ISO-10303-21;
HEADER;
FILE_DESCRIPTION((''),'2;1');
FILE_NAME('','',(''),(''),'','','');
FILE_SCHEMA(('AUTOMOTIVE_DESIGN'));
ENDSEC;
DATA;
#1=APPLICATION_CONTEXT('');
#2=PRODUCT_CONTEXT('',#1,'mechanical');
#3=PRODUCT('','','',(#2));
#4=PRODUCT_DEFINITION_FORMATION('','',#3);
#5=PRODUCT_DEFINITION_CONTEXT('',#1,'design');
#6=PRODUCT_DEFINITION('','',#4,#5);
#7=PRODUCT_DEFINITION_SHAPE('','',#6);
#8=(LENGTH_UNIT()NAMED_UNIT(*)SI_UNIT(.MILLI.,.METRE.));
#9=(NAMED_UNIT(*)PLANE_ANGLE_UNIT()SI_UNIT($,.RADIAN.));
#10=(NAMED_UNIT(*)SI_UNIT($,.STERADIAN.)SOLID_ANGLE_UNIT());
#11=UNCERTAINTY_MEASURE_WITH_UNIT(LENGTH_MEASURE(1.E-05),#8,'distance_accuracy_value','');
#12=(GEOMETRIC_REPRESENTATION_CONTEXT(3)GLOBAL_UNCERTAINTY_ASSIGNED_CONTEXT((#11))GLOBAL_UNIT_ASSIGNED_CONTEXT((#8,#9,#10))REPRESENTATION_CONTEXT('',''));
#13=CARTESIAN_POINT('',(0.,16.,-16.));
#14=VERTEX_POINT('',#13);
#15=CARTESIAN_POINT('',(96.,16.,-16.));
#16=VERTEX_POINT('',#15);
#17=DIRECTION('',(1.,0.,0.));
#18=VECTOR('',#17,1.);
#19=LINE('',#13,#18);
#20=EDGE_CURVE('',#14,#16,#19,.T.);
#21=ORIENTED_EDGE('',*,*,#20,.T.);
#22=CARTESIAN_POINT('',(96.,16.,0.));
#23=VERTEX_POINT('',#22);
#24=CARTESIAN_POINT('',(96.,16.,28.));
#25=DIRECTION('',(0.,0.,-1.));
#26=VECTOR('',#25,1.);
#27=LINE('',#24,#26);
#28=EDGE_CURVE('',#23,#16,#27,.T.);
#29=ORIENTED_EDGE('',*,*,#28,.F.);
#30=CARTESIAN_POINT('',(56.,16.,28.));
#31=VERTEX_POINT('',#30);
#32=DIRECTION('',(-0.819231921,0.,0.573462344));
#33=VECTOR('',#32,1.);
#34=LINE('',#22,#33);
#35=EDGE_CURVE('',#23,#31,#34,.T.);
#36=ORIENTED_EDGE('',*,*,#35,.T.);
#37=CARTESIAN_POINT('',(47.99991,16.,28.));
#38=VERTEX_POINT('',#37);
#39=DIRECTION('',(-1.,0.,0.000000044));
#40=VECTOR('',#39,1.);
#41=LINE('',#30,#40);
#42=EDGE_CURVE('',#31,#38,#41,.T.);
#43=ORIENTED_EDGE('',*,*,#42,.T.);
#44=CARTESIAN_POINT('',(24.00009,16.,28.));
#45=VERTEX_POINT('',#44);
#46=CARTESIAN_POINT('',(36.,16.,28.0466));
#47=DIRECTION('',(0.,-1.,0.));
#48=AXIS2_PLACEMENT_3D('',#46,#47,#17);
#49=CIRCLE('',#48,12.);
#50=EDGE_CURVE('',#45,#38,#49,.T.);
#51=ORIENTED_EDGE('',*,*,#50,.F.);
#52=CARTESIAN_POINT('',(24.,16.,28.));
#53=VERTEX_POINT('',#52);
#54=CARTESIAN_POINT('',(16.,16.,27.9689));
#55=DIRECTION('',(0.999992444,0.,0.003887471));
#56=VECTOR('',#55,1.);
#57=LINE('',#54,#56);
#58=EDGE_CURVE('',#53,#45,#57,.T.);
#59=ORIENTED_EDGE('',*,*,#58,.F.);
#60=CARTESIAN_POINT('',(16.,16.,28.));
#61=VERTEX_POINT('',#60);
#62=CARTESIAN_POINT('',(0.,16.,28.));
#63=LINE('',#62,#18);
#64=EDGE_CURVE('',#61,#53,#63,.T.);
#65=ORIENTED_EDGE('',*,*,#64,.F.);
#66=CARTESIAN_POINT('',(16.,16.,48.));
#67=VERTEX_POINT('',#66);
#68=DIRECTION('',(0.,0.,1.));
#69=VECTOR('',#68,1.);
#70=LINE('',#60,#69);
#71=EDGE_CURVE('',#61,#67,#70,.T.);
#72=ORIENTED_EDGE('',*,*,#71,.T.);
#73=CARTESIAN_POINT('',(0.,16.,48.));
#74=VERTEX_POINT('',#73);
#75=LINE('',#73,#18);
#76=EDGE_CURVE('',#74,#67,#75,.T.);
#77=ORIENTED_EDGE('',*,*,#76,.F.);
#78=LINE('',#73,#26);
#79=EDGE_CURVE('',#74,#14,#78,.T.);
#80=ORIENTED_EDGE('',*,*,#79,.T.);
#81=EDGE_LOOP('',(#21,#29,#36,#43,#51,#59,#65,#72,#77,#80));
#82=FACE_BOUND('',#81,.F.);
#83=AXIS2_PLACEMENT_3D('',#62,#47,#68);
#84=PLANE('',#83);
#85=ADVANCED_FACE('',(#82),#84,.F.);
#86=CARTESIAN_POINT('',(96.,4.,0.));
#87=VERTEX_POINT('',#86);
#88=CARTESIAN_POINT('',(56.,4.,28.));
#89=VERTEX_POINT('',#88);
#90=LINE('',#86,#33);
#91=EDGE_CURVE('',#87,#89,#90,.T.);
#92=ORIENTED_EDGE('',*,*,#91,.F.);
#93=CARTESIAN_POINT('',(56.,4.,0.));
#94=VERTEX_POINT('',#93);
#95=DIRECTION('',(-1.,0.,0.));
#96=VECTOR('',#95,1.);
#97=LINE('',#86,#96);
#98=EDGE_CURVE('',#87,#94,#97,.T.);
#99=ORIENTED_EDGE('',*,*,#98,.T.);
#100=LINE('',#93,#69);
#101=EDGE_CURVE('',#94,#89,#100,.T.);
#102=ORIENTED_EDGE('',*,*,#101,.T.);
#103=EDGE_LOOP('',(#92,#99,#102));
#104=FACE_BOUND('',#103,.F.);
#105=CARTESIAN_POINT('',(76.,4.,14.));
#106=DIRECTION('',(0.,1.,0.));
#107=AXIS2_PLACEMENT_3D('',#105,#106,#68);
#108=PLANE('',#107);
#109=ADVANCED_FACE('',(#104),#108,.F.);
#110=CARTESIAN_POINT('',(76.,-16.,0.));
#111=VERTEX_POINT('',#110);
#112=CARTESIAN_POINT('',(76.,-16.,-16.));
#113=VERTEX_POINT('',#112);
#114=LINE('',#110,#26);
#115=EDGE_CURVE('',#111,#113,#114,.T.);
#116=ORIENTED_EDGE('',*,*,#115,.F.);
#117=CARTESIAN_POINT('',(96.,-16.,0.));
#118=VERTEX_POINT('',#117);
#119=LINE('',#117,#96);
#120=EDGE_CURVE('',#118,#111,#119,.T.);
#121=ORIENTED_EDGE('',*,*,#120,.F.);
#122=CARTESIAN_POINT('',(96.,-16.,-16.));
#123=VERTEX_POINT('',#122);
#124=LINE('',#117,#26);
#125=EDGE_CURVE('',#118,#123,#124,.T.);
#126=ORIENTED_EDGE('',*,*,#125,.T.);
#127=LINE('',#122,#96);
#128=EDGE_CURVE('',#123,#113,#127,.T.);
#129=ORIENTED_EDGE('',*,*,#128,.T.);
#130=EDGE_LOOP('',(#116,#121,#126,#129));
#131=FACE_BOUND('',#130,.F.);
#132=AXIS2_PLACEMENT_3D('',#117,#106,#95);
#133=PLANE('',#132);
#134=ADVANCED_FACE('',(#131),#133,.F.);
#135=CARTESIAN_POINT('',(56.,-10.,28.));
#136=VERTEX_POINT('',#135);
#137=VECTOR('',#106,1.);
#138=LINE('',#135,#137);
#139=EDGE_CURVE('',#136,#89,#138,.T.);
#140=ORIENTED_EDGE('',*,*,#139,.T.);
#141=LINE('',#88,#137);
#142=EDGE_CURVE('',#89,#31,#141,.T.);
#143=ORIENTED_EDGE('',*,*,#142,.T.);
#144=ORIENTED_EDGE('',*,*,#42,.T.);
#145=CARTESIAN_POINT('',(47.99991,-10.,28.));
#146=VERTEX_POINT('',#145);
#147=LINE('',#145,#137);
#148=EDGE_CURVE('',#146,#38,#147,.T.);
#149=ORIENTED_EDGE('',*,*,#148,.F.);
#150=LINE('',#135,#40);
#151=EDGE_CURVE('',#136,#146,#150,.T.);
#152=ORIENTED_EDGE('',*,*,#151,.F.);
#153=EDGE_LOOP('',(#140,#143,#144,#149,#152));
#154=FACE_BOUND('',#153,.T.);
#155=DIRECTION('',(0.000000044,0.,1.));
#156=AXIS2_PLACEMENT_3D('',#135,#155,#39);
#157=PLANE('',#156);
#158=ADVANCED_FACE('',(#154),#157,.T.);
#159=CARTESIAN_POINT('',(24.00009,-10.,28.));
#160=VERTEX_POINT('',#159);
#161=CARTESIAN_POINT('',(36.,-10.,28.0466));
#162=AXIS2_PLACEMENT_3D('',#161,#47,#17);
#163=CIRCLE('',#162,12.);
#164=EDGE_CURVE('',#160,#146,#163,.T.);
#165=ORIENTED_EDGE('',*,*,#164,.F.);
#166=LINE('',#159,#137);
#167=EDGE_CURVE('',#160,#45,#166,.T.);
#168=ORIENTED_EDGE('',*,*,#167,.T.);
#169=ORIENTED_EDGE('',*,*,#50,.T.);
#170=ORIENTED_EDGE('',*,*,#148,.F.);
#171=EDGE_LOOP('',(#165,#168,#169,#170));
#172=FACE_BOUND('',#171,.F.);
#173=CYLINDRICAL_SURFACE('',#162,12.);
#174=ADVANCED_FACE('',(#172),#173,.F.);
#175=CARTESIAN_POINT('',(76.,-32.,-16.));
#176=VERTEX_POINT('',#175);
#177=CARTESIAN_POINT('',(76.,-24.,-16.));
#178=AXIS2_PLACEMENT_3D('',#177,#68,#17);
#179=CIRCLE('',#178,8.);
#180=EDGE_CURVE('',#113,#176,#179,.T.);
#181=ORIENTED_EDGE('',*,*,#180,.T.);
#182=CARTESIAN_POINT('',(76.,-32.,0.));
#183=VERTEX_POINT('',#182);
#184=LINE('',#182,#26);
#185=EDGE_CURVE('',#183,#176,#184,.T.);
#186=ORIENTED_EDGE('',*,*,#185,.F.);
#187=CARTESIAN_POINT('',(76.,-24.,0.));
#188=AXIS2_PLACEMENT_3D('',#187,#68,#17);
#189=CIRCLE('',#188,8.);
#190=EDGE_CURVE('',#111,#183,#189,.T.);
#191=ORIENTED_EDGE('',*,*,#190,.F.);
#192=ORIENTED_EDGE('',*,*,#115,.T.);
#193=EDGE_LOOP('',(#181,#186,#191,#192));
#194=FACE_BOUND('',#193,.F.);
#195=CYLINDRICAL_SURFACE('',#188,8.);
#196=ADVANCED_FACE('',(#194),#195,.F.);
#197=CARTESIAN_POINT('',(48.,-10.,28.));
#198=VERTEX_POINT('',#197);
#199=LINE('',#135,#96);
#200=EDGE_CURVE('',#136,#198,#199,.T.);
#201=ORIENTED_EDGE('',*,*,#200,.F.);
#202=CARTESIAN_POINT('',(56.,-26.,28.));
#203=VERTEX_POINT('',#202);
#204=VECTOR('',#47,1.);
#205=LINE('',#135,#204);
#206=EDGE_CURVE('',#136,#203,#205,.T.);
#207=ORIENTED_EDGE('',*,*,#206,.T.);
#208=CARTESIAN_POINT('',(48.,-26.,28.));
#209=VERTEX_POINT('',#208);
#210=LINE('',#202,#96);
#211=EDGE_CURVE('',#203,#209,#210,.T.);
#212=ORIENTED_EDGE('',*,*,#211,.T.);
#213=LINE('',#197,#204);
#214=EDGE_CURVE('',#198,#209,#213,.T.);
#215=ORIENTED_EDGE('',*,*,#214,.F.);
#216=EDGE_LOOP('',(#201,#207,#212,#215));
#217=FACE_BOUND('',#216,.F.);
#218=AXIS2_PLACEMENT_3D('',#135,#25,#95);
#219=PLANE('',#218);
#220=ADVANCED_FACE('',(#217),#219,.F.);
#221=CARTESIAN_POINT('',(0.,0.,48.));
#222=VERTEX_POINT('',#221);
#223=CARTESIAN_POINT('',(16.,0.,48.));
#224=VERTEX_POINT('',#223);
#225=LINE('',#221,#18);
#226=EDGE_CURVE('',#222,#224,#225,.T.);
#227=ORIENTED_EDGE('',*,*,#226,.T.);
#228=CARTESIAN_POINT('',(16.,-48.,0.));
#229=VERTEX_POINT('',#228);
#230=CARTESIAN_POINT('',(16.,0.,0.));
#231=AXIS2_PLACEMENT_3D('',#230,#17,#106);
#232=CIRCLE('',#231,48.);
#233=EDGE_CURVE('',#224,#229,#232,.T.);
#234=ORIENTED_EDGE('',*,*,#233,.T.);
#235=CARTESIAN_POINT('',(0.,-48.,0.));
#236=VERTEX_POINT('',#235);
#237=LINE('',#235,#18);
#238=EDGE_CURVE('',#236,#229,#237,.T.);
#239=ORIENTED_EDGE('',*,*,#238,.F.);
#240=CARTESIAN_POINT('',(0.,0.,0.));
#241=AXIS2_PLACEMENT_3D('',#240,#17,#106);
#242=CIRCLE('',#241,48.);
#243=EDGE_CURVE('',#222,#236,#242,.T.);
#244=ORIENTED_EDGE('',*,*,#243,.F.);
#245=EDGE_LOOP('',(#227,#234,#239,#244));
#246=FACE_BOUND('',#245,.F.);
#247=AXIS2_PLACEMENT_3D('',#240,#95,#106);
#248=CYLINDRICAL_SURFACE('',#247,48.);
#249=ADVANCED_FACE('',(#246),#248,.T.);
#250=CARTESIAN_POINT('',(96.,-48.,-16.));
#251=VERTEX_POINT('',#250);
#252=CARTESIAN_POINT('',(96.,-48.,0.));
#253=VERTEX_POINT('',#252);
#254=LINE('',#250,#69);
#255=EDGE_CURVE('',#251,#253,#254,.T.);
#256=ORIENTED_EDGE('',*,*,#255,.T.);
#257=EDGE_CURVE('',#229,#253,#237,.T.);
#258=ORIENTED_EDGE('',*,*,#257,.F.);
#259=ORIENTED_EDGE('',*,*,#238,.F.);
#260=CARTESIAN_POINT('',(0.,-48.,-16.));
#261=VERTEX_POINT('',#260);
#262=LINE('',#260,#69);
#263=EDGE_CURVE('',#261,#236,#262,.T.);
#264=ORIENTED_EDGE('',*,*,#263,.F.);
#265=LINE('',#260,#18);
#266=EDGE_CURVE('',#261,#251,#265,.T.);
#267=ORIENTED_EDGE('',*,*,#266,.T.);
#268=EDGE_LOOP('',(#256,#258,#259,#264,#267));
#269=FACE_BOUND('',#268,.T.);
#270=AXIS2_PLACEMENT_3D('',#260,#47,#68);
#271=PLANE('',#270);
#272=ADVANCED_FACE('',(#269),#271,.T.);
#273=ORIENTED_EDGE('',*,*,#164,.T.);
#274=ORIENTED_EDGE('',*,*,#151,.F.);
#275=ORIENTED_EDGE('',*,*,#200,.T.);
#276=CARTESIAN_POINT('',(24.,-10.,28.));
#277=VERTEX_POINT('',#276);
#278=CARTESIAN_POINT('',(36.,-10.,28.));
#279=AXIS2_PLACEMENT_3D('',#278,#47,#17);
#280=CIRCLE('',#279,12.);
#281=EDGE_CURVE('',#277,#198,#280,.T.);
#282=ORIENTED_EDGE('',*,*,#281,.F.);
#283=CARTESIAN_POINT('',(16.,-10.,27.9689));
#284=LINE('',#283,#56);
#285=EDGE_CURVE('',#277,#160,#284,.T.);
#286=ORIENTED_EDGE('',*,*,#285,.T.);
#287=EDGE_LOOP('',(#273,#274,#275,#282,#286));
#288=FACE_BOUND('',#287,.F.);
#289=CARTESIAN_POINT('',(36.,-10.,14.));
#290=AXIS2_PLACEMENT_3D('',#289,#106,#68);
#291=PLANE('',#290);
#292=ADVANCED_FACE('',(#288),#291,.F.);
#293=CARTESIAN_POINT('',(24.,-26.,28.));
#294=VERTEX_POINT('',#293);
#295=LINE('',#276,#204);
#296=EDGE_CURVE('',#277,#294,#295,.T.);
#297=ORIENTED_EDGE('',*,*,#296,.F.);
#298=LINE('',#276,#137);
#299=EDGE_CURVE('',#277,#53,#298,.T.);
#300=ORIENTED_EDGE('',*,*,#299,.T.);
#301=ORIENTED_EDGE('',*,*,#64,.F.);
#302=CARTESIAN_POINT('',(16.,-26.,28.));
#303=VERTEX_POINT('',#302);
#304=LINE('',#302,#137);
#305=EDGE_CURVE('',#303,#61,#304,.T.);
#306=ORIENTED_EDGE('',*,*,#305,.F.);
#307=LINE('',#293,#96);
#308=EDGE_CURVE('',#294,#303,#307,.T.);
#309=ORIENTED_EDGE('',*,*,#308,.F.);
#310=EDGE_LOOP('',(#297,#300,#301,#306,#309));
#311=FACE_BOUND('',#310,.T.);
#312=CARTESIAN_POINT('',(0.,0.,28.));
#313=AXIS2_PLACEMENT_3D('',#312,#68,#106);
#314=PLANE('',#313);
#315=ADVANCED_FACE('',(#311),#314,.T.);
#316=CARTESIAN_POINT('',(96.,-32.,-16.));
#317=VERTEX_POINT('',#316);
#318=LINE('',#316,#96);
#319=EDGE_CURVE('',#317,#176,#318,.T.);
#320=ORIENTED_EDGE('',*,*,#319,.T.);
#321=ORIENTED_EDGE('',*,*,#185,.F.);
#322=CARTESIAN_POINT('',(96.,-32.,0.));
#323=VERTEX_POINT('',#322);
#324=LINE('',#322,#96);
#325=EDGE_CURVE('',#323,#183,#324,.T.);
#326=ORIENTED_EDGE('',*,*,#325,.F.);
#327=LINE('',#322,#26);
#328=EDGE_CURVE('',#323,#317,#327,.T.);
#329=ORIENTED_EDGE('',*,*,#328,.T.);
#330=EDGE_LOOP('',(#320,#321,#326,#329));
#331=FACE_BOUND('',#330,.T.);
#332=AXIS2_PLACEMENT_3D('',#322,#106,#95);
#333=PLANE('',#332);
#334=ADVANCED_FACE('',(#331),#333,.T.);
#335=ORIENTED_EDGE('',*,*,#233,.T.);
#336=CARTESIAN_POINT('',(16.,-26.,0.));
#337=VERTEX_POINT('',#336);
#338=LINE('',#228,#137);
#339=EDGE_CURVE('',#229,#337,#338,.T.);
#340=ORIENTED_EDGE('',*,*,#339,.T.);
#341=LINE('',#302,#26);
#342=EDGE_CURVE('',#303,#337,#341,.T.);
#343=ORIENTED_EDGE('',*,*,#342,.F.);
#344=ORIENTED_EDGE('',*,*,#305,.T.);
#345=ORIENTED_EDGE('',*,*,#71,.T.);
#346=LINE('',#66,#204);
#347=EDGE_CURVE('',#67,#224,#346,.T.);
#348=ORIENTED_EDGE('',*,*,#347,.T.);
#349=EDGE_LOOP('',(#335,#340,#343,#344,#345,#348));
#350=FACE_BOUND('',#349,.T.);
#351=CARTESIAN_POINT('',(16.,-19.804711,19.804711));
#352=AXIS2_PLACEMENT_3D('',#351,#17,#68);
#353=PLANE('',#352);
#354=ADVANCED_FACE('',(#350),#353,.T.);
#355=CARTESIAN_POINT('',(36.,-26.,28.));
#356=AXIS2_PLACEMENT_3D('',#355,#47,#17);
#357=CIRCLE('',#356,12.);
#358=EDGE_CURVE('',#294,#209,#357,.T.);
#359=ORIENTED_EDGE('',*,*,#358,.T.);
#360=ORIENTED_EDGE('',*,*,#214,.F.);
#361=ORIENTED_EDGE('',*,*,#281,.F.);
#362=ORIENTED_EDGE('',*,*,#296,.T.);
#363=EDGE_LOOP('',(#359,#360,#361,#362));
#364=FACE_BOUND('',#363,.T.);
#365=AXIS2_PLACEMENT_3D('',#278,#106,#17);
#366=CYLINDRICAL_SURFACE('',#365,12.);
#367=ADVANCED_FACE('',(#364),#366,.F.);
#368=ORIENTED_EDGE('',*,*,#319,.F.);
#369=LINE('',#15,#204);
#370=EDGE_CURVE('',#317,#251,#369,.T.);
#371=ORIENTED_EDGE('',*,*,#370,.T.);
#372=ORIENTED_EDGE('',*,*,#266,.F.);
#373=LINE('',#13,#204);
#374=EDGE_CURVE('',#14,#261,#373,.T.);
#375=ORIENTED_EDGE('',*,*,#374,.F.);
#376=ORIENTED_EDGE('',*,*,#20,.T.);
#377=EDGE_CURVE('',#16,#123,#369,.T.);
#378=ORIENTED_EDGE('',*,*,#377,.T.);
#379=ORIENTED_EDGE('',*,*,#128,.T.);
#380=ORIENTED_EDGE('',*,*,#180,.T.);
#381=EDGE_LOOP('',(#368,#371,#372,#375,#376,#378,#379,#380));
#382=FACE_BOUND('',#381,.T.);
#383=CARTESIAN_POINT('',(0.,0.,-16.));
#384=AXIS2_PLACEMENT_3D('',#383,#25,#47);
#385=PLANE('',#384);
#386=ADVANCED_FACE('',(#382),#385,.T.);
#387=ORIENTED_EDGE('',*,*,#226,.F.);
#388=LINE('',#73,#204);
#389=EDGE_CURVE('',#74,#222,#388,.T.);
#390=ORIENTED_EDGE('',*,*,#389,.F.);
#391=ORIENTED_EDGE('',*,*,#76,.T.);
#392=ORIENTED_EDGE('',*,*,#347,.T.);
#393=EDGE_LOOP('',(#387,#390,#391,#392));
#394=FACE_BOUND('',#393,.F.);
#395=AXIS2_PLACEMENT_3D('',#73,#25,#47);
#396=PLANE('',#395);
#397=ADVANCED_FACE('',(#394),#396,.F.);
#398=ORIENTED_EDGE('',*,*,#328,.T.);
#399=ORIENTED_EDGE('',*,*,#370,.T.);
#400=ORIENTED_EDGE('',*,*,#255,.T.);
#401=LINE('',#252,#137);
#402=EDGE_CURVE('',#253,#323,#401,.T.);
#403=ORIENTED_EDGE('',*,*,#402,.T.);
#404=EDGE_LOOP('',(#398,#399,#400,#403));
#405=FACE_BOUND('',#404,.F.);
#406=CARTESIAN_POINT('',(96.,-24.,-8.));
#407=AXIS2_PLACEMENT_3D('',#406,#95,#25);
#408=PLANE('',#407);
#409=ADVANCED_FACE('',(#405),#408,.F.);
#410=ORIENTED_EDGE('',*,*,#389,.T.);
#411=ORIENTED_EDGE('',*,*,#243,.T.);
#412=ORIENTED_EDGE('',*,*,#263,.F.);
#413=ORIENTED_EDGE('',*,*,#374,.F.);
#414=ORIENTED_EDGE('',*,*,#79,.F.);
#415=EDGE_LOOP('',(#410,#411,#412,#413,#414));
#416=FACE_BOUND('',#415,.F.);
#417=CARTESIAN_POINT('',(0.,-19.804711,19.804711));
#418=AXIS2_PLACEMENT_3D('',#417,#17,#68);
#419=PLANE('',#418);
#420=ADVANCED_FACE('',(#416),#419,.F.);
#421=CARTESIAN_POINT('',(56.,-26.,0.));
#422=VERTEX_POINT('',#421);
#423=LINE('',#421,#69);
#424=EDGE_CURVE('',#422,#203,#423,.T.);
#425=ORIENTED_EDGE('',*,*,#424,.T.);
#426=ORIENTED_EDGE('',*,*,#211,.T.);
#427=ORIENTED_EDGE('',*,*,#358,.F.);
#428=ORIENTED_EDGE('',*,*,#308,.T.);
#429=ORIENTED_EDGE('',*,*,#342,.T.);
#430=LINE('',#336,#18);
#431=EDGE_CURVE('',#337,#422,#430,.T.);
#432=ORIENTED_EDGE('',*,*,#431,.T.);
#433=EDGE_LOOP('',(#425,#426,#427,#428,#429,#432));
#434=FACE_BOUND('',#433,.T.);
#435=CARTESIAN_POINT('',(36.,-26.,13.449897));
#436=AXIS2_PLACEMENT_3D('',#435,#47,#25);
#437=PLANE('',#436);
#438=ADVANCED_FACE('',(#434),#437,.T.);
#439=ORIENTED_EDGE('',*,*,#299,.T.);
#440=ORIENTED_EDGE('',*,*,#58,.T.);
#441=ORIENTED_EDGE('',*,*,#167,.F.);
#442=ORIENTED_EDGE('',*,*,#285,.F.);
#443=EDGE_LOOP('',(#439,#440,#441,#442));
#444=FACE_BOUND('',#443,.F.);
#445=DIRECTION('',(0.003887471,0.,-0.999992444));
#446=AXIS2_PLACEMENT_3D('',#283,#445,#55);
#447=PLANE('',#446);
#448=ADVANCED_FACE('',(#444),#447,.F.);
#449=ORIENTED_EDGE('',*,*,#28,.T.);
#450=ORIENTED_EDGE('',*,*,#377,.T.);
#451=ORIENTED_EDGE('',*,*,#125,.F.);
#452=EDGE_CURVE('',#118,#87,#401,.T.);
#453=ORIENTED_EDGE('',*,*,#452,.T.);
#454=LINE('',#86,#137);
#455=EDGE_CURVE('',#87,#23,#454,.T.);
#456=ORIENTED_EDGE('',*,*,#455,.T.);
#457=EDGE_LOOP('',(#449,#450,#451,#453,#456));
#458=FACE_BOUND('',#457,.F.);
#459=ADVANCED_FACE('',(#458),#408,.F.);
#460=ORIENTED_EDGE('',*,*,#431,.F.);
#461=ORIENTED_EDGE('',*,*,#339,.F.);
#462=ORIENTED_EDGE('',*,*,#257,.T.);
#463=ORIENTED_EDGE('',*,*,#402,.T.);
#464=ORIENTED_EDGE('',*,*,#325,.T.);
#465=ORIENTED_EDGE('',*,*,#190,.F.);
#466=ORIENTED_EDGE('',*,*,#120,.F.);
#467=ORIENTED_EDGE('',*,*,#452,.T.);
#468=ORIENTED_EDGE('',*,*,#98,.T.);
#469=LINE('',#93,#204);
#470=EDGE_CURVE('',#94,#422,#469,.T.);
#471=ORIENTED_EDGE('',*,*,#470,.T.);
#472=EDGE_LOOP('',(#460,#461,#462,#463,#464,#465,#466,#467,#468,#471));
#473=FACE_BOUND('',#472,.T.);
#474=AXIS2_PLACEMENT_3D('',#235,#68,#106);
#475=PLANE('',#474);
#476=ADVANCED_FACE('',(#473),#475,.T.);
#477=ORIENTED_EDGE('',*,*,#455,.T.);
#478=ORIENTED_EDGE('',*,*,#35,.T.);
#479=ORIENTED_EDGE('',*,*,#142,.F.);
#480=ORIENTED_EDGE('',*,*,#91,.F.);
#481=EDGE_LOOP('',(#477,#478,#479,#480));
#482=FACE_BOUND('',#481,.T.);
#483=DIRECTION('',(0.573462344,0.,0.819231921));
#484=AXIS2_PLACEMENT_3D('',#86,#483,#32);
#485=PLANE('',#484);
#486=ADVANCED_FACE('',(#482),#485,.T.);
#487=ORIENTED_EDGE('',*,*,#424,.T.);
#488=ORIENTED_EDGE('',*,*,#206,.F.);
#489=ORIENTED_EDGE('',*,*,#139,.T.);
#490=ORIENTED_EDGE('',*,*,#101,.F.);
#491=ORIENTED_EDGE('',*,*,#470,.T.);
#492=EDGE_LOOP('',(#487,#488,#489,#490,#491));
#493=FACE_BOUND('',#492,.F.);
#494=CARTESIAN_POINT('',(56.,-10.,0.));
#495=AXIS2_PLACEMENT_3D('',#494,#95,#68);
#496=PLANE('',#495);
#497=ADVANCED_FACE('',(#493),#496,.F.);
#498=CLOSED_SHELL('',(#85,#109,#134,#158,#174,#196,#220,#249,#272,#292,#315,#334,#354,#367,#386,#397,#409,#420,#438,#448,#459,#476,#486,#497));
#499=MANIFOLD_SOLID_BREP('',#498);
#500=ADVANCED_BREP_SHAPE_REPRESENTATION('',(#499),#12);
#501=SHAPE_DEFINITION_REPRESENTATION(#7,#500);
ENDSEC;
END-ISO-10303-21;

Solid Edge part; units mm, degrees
sketch "Sketch1" plane through (0, 0, 0) normal (1, 0, 0) x (0, 1, 0)
  arc A0 (0, 48) -> (-48, 0) centre (0, 0) ccw
  line L0 (-48, 0) -> (0, 0)
  line L1 (0, 0) -> (0, 48)
extrude "Protrusion1" add sketch "Sketch1" along normal blind 16
sketch "Sketch2" plane through (0, 0, 0) normal (1, 0, 0) x (0, 1, 0)
  line L0 (-48, -16) -> (-48, 0)
  line L1 (-48, 0) -> (0, 0)
  line L2 (0, 0) -> (0, -16)
  line L3 (0, -16) -> (-48, -16)
extrude "ExtrudedProtrusion_2" add sketch "Sketch2" along normal blind 96
sketch "Sketch3" plane through (0, 0, 0) normal (1, 0, 0) x (0, 1, 0)
  line L0 (0, 48) -> (0, 28)
  line L1 (0, 28) -> (16, 28)
  line L2 (16, 28) -> (16, 48)
  line L3 (16, 48) -> (0, 48)
extrude "Protrusion_3" add sketch "Sketch3" along normal blind 16
sketch "Sketch4" plane through (0, 0, 0) normal (1, 0, 0) x (0, 1, 0)
  line L0 (0, -16) -> (0, 28)
  line L1 (0, 28) -> (16, 28)
  line L2 (16, 28) -> (16, -16)
  line L3 (16, -16) -> (0, -16)
extrude "Protrusion_4" add sketch "Sketch4" along normal blind 96
sketch "Sketch5" plane through (56, 0, 14) normal (0, -1, 0) x (1, 0, 0)
  line L0 (0, -14) -> (0, 14)
  line L1 (0, 14) -> (40, 14)
  line L2 (40, 14) -> (40, -14)
  line L3 (40, -14) -> (0, -14)
extrude "Cutout_1" cut sketch "Sketch5" against normal blind 4
sketch "Sketch6" plane through (76, 4, 14) normal (0, -1, 0) x (1, 0, 0)
  line L0 (20, -14) -> (-20, 14)
  line L1 (-20, 14) -> (20, 14)
  line L2 (20, 14) -> (20, -14)
extrude "Cutout_2" cut sketch "Sketch6" against normal blind 12
sketch "Sketch7" plane through (36, 0, 14) normal (0, -1, 0) x (1, 0, 0)
  line L0 (-20, -14) -> (-20, 14)
  line L1 (20, -14) -> (-20, -14)
  line L2 (20, 14) -> (20, -14)
  line L3 (-20, 14) -> (20, 14)
extrude "Protrusion_5" add sketch "Sketch7" along normal blind 10
sketch "Sketch8" plane through (36, -10, 14) normal (0, -1, 0) x (1, 0, 0)
  line L0 (12, 14) -> (-12, 14)
  arc A0 (-12, 14) -> (12, 14) centre (0, 14) ccw
extrude "Cutout_3" cut sketch "Sketch8" against normal blind 26
sketch "Sketch9" plane through (56, -22, 0) normal (0, 0, 1) x (1, 0, 0)
  line L0 (40, 6) -> (20, 6)
  arc A0 (20, 6) -> (20, -10) centre (20, -2) ccw
  line L1 (40, -10) -> (20, -10)
  line L2 (40, 6) -> (40, -10)
extrude "Cutout_4" cut sketch "Sketch9" against normal blind 16
sketch "Sketch10" plane through (36, -10, 14) normal (0, -1, 0) x (1, 0, 0)
  line L0 (-20, -14) -> (-20, 13.9689)
  line L1 (-20, 13.9689) -> (-12, 14)
  arc A0 (-12, 14) -> (12, 14) centre (0, 14.0466) ccw
  line L2 (20, 14) -> (12, 14)
  line L3 (20, 14) -> (20, -14)
  line L4 (20, -14) -> (-20, -14)
extrude "Protrusion_6" add sketch "Sketch10" against normal blind 26
sketch "Sketch11" plane through (36, -10, 14) normal (0, -1, 0) x (1, 0, 0)
  line L0 (20, 14) -> (12, 14)
  line L1 (20, -14) -> (20, 14)
  line L2 (-20, -14) -> (20, -14)
  line L3 (-20, 14) -> (-20, -14)
  line L4 (-12, 14) -> (-20, 14)
  arc A0 (-12, 14) -> (12, 14) centre (0, 14) ccw
extrude "Protrusion2" add sketch "Sketch11" along normal blind 16
